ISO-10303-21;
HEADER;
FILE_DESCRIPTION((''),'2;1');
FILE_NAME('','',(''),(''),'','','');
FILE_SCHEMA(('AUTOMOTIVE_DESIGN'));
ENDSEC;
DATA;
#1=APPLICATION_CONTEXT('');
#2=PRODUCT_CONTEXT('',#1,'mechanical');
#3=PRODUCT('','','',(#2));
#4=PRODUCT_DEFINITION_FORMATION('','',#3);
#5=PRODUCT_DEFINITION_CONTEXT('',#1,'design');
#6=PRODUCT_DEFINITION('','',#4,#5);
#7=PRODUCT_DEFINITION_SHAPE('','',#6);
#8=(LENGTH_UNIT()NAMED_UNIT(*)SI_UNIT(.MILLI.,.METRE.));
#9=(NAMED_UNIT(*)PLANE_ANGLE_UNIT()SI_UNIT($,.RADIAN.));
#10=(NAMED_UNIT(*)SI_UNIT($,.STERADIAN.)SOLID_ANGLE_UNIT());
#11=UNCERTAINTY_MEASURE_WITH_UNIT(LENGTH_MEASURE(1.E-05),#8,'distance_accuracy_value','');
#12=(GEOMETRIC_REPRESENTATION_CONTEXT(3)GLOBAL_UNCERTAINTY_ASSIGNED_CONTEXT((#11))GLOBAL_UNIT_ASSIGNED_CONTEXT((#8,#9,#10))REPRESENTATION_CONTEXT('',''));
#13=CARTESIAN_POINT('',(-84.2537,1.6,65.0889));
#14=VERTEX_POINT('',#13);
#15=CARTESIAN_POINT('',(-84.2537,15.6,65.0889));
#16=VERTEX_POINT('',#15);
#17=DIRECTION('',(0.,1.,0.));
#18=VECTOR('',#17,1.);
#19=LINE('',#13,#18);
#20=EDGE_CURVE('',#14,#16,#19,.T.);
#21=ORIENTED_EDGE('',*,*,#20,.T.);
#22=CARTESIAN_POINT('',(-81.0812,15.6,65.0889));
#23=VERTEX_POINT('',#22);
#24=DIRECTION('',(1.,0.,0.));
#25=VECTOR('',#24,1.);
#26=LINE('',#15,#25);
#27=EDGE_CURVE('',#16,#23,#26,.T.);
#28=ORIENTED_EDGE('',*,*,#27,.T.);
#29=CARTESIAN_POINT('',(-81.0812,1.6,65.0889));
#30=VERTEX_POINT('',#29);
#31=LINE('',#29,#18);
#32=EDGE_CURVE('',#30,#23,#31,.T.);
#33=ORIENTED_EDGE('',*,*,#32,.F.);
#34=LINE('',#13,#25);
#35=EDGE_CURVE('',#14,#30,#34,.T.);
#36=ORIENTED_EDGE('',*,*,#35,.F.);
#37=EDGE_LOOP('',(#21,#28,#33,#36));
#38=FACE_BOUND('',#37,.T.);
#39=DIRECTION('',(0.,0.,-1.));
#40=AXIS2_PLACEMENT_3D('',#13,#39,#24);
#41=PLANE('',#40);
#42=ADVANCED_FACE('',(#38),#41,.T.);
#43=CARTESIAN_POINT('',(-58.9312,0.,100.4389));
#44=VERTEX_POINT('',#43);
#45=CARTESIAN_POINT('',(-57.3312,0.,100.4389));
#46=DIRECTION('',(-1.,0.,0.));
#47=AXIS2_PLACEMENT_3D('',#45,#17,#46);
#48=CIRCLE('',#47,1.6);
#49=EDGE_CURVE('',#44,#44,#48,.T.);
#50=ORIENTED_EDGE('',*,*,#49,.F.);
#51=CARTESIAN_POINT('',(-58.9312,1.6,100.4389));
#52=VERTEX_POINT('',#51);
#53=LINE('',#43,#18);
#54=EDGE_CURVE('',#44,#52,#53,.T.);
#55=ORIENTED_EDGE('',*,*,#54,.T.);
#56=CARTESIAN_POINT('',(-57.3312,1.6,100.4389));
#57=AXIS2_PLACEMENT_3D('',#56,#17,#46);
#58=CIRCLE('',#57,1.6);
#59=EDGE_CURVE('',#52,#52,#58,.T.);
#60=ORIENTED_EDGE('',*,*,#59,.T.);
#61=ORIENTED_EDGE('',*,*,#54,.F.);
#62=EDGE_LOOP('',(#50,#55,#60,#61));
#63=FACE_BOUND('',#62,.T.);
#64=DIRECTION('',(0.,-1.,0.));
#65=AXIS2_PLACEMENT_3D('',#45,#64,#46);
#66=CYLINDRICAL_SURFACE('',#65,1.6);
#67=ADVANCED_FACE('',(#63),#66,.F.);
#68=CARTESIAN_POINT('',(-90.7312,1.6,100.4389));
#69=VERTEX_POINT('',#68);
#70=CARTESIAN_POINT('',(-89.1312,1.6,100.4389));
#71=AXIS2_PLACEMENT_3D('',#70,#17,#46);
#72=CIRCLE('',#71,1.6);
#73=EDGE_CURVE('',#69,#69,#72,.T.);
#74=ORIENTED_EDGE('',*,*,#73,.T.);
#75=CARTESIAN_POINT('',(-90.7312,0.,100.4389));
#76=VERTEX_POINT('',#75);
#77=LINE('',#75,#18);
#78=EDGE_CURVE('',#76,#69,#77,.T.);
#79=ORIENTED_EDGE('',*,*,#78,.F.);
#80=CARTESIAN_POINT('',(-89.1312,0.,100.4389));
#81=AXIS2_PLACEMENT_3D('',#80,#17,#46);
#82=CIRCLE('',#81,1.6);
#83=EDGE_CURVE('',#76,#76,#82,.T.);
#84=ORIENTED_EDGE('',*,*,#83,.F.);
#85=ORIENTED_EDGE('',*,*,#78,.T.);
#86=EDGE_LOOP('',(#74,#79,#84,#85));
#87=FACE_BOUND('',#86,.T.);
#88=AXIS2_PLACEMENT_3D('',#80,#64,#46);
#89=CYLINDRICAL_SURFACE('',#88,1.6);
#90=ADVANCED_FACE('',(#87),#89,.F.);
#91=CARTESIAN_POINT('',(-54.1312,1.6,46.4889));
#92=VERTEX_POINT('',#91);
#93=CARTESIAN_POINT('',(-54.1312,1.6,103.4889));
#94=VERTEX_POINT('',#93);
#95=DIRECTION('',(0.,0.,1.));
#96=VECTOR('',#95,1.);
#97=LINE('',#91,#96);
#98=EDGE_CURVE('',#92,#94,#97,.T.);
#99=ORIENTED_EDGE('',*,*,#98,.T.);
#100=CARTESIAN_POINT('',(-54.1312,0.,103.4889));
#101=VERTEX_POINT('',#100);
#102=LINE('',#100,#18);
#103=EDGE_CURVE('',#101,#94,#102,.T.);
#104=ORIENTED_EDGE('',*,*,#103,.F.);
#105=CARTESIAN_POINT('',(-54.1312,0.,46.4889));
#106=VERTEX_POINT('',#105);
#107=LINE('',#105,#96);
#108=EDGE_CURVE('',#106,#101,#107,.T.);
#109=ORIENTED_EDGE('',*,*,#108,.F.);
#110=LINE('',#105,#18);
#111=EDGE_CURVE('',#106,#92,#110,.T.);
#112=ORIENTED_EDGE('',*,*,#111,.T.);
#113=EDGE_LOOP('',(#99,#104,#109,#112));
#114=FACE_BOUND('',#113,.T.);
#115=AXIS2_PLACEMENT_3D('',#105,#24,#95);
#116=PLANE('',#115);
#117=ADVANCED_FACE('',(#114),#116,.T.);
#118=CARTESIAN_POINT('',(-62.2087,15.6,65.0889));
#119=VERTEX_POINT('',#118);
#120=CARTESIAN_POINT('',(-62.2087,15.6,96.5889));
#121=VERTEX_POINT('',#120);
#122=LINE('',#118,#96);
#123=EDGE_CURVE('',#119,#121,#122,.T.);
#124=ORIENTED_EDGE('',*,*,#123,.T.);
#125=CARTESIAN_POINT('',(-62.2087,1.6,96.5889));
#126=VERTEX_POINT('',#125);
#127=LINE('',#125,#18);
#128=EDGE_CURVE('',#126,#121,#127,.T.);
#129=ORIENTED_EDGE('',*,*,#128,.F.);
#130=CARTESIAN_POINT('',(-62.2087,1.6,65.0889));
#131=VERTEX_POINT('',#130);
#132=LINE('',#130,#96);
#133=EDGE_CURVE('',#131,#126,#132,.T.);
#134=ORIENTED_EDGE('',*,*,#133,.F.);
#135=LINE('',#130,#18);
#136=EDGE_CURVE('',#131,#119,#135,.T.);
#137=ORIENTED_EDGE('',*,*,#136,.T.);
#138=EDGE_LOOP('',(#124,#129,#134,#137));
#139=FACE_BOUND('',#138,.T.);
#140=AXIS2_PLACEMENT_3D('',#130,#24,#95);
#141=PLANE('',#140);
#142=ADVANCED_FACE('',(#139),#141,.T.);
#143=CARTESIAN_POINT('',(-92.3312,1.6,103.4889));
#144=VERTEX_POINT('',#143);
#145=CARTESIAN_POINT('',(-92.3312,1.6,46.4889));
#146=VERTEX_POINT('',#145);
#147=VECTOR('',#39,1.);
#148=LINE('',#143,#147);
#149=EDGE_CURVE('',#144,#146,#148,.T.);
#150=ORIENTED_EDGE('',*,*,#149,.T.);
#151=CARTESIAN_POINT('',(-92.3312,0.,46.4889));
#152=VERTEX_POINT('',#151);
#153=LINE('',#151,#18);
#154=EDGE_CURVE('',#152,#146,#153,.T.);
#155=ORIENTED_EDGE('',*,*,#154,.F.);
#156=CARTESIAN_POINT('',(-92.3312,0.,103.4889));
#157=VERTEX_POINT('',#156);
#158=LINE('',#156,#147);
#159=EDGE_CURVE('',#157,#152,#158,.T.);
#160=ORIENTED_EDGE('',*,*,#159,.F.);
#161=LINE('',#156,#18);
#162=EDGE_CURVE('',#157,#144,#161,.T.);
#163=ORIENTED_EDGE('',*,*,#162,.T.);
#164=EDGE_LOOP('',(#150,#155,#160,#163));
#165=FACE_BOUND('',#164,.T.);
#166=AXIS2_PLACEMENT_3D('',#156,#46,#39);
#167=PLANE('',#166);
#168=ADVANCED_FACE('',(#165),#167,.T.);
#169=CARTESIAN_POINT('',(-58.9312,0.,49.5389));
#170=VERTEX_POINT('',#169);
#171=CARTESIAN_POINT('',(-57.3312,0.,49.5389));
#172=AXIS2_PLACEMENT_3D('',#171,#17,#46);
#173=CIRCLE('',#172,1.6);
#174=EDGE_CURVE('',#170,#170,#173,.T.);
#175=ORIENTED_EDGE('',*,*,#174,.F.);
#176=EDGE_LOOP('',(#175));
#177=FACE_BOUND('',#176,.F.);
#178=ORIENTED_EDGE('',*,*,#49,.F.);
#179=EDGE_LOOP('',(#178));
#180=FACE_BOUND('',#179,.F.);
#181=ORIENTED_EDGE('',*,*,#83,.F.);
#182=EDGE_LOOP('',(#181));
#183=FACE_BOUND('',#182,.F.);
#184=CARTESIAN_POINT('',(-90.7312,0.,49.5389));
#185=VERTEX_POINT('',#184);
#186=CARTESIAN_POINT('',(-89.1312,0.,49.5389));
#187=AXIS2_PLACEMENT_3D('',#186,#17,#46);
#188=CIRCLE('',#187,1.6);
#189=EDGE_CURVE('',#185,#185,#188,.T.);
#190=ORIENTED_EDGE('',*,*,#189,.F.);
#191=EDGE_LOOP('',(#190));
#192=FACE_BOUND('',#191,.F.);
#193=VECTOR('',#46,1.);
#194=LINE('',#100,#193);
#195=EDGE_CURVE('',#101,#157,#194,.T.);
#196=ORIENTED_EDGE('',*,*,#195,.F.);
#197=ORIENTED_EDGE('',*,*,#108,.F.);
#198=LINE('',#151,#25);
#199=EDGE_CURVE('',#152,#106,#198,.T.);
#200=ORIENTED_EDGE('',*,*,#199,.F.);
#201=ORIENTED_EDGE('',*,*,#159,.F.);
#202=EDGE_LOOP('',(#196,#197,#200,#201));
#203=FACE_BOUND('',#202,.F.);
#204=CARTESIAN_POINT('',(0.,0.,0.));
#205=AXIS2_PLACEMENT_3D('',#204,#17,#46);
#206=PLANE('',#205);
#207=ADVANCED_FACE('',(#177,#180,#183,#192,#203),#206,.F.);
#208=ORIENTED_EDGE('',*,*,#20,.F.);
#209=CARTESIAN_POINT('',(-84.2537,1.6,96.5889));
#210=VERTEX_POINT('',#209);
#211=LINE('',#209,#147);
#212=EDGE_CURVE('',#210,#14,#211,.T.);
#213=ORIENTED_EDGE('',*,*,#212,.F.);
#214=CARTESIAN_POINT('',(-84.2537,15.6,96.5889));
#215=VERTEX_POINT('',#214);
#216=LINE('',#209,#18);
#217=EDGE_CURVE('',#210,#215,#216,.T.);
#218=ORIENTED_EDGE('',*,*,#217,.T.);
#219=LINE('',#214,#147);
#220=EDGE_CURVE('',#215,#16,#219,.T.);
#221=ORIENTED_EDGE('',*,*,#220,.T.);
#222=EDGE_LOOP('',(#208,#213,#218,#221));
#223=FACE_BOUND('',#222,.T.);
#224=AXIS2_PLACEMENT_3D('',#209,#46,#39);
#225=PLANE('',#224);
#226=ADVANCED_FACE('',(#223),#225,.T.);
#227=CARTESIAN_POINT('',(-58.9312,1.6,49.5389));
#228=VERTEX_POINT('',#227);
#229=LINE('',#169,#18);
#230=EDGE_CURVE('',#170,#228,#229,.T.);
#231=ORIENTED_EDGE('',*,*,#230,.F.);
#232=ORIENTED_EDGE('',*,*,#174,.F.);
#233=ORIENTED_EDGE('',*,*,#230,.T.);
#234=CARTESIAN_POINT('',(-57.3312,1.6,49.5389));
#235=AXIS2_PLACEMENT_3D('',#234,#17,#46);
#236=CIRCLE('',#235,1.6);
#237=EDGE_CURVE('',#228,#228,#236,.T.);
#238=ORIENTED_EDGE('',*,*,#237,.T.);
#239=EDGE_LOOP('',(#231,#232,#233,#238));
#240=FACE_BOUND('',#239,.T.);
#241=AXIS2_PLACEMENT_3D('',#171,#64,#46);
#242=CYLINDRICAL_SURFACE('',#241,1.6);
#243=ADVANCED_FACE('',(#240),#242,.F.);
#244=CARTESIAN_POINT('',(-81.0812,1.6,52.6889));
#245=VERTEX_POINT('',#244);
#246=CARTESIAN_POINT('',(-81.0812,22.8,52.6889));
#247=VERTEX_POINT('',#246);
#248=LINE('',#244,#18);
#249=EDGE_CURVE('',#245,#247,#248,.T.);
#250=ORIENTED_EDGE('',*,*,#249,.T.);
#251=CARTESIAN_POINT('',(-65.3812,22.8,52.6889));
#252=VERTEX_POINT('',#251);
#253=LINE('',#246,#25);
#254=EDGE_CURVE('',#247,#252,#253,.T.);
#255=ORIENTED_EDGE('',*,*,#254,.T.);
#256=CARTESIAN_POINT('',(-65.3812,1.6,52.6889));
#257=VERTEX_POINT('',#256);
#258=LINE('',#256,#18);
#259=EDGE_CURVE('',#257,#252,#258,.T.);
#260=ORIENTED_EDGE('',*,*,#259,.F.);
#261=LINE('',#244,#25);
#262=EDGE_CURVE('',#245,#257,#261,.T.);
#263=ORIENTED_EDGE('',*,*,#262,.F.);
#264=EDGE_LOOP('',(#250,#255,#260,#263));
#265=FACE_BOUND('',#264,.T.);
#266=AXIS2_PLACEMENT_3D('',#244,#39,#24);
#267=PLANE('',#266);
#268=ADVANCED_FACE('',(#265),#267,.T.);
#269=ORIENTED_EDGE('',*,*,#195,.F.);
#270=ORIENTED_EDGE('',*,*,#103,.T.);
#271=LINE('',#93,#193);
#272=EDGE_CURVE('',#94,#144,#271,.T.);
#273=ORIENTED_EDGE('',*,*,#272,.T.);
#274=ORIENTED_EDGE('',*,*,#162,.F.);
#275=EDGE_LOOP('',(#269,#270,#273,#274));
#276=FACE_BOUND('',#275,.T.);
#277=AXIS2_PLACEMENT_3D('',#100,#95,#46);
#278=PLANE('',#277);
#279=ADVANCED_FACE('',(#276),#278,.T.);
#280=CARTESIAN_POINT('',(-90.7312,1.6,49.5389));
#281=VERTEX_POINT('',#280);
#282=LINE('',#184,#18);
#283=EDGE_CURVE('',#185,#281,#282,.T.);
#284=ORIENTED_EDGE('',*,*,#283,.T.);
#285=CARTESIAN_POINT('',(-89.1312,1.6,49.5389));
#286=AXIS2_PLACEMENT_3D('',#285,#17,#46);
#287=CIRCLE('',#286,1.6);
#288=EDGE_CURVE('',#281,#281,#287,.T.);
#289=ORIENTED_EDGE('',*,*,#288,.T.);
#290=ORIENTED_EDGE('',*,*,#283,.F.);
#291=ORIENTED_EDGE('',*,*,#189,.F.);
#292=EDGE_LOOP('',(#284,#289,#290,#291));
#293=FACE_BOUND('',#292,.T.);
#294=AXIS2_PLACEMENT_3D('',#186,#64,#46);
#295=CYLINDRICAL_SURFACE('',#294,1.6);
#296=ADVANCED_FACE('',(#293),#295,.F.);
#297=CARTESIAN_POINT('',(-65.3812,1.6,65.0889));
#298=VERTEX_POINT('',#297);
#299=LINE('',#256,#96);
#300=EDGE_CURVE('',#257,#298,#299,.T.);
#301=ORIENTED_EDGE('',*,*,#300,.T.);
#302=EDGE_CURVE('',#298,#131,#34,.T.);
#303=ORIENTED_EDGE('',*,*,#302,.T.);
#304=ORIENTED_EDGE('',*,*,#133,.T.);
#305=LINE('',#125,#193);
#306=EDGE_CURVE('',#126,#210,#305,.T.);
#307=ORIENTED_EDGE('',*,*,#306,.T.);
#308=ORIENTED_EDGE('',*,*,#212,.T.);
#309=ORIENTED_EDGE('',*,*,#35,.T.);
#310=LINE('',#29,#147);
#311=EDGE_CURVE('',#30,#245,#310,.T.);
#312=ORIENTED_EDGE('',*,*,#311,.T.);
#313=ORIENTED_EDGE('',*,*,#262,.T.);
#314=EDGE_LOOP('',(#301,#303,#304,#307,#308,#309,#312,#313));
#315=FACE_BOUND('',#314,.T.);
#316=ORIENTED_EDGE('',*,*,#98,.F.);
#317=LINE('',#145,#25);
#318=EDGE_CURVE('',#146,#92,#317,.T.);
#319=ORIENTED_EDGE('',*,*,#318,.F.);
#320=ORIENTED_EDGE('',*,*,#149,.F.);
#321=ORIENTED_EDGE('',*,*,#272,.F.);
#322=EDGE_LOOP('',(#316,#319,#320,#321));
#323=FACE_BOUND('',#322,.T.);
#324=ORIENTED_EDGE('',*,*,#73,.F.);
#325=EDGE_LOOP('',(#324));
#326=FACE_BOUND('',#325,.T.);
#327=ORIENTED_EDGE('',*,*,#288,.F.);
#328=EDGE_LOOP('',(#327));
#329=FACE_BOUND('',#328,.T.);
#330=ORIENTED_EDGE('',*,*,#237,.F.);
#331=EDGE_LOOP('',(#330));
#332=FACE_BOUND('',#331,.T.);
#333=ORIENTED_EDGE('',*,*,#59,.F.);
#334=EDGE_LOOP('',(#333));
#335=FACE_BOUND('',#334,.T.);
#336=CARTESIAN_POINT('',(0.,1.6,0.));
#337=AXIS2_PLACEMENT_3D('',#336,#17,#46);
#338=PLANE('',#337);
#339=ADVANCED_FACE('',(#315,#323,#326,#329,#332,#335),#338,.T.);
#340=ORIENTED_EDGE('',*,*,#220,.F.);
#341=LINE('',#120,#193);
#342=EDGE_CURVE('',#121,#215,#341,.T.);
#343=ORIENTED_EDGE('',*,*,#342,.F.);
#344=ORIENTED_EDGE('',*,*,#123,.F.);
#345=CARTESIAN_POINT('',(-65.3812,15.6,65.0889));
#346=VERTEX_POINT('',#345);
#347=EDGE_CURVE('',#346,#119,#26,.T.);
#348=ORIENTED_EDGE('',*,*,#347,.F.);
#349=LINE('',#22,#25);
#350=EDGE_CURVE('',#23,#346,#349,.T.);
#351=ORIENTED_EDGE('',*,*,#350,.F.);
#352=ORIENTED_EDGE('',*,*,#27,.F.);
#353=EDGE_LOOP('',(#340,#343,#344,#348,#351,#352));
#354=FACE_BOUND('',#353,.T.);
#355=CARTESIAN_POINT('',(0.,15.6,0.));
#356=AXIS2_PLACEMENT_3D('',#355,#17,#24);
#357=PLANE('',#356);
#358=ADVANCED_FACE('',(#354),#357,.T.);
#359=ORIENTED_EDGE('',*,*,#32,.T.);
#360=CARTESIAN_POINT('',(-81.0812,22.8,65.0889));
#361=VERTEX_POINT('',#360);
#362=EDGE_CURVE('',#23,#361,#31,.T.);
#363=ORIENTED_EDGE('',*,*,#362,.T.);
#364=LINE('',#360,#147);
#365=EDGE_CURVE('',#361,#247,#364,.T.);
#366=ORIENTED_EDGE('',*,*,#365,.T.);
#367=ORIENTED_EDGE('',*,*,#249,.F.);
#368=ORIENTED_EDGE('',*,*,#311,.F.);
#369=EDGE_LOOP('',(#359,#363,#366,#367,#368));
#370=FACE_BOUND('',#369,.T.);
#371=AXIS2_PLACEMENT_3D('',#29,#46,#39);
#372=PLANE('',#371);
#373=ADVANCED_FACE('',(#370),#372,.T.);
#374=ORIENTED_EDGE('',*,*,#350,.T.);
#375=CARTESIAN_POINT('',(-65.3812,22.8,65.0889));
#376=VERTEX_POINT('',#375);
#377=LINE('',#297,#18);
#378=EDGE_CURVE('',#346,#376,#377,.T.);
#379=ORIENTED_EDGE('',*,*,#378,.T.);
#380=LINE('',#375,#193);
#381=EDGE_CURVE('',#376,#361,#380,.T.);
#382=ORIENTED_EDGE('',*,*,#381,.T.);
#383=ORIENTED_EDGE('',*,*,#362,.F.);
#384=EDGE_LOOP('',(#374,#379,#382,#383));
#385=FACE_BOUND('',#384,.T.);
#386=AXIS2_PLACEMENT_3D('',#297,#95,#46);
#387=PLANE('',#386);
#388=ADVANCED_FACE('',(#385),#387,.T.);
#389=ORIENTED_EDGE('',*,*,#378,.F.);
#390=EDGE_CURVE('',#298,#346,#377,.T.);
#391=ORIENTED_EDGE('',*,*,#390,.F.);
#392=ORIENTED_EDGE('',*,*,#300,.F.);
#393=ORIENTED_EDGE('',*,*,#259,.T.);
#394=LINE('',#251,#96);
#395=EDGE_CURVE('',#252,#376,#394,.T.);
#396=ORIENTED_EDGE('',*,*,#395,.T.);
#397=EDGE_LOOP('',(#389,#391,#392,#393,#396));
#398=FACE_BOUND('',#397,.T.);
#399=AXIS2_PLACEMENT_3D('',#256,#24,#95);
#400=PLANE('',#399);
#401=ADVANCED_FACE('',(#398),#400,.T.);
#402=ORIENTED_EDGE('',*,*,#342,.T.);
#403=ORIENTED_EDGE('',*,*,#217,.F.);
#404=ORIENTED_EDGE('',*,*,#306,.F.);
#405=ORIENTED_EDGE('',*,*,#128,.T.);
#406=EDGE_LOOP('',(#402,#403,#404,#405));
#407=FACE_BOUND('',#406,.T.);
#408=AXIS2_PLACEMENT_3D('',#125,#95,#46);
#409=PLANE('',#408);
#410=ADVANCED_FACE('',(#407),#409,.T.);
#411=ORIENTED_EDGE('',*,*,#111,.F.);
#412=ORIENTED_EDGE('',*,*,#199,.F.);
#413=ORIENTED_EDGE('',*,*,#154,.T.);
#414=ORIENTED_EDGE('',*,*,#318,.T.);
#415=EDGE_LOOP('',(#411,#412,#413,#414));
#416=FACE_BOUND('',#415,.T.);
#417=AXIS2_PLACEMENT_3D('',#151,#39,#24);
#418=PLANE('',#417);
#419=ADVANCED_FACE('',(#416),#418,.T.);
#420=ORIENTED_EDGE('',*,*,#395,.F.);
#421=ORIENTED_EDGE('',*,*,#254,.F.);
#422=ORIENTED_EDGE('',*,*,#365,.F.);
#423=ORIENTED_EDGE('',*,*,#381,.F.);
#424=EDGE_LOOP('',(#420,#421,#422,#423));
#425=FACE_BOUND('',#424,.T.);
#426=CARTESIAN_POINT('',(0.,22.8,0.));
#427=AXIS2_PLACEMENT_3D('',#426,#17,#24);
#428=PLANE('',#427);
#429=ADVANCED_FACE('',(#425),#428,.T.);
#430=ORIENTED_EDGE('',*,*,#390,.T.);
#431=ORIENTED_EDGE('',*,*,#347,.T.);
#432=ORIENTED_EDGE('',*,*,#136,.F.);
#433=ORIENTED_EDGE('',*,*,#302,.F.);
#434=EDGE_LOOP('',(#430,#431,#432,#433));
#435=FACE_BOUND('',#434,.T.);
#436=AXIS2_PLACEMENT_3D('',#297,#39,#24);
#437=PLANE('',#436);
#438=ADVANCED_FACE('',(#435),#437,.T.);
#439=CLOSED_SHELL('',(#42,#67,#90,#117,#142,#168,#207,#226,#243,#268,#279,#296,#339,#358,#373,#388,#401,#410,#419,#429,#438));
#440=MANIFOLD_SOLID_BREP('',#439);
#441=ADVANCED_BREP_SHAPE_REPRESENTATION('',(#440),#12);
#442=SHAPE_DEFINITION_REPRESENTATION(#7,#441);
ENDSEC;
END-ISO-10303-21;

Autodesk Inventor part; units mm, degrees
ref_plane "YZ Plane" through (0, 0, 0) normal (1, 0, 0) x (0, 1, 0)
ref_plane "XZ Plane" through (0, 0, 0) normal (0, 1, 0) x (-1, 0, 0)
ref_plane "XY Plane" through (0, 0, 0) normal (0, 0, 1) x (1, 0, 0)
sketch "Sketch1" plane through (0, 0, 0) normal (0, 1, 0) x (-1, 0, 0)
  line L0 (92.3312, 46.4889) -> (54.1312, 46.4889)
  line L1 (54.1312, 46.4889) -> (54.1312, 103.4889)
  line L2 (54.1312, 103.4889) -> (92.3312, 103.4889)
  line L3 (92.3312, 103.4889) -> (92.3312, 46.4889)
  circle A0 centre (89.1312, 49.5389) radius 1.6
  circle A1 centre (57.3312, 49.5389) radius 1.6
  circle A2 centre (89.1312, 100.4389) radius 1.6
  circle A3 centre (57.3312, 100.4389) radius 1.6
  point P0 (0, 0)
  dimension "d0" = 57
  dimension "d1" = 38.2
  dimension "d2" = 3.2
  dimension "d3" = 3.2
  dimension "d4" = 3.05
  dimension "d11" = 3.05
  dimension "d12" = 3.2
  dimension "d13" = 3.05
  dimension "d14" = 3.05
  dimension "d15" = 3.2
  dimension "d16" = 3.2
extrude "Extrusion1" add sketch "Sketch1" along normal blind 1.6
sketch "Sketch2" plane through (0, 1.6, 0) normal (0, 1, 0) x (1, 0, 0)
  line L0 (-81.0812, -52.6889) -> (-65.3812, -52.6889)
  line L1 (-65.3812, -52.6889) -> (-65.3812, -65.0889)
  line L2 (-65.3812, -65.0889) -> (-81.0812, -65.0889)
  line L3 (-81.0812, -65.0889) -> (-81.0812, -52.6889)
  line L4 (-54.1312, -46.4889) -> (-92.3312, -46.4889) projected
  line L5 (-92.3312, -46.4889) -> (-92.3312, -103.4889) construction
  line L6 (-54.1312, -46.4889) -> (-92.3312, -103.4889) construction
  line L7 (-92.3312, -103.4889) -> (-54.1312, -103.4889) construction
  line L8 (-92.3312, -46.4889) -> (-54.1312, -103.4889) construction
  line L9 (-73.2312, -103.4889) -> (-73.2312, -46.4889) construction
  point P0 (0, 0)
  point P1 (-73.2312, -52.6889)
  dimension "d19" = 6.2
  dimension "d20" = 15.7
  dimension "d21" = 12.4
extrude "Extrusion2" add sketch "Sketch2" along normal blind 21.2
sketch "Sketch3" plane through (0, 1.6, 0) normal (0, 1, 0) x (1, 0, 0)
  line L0 (-81.0812, -65.0889) -> (-65.3812, -65.0889) projected
  line L1 (-84.2537, -65.0889) -> (-62.2087, -65.0889)
  line L2 (-62.2087, -65.0889) -> (-62.2087, -96.5889)
  line L3 (-62.2087, -96.5889) -> (-84.2537, -96.5889)
  line L4 (-84.2537, -96.5889) -> (-84.2537, -65.0889)
  line L5 (-92.3312, -103.4889) -> (-54.1312, -103.4889) projected
  line L6 (-54.1312, -103.4889) -> (-54.1312, -46.4889) construction
  line L7 (-54.1312, -103.4889) -> (-92.3312, -46.4889) construction
  line L8 (-92.3312, -103.4889) -> (-54.1312, -46.4889) construction
  line L9 (-73.2312, -61.8477) -> (-73.2312, -121.9284) construction
  point P0 (0, 0)
  dimension "d24" = 6.9
extrude "Extrusion3" add sketch "Sketch3" along normal blind 14
properties part number "NAS_Splitter_PCB"
